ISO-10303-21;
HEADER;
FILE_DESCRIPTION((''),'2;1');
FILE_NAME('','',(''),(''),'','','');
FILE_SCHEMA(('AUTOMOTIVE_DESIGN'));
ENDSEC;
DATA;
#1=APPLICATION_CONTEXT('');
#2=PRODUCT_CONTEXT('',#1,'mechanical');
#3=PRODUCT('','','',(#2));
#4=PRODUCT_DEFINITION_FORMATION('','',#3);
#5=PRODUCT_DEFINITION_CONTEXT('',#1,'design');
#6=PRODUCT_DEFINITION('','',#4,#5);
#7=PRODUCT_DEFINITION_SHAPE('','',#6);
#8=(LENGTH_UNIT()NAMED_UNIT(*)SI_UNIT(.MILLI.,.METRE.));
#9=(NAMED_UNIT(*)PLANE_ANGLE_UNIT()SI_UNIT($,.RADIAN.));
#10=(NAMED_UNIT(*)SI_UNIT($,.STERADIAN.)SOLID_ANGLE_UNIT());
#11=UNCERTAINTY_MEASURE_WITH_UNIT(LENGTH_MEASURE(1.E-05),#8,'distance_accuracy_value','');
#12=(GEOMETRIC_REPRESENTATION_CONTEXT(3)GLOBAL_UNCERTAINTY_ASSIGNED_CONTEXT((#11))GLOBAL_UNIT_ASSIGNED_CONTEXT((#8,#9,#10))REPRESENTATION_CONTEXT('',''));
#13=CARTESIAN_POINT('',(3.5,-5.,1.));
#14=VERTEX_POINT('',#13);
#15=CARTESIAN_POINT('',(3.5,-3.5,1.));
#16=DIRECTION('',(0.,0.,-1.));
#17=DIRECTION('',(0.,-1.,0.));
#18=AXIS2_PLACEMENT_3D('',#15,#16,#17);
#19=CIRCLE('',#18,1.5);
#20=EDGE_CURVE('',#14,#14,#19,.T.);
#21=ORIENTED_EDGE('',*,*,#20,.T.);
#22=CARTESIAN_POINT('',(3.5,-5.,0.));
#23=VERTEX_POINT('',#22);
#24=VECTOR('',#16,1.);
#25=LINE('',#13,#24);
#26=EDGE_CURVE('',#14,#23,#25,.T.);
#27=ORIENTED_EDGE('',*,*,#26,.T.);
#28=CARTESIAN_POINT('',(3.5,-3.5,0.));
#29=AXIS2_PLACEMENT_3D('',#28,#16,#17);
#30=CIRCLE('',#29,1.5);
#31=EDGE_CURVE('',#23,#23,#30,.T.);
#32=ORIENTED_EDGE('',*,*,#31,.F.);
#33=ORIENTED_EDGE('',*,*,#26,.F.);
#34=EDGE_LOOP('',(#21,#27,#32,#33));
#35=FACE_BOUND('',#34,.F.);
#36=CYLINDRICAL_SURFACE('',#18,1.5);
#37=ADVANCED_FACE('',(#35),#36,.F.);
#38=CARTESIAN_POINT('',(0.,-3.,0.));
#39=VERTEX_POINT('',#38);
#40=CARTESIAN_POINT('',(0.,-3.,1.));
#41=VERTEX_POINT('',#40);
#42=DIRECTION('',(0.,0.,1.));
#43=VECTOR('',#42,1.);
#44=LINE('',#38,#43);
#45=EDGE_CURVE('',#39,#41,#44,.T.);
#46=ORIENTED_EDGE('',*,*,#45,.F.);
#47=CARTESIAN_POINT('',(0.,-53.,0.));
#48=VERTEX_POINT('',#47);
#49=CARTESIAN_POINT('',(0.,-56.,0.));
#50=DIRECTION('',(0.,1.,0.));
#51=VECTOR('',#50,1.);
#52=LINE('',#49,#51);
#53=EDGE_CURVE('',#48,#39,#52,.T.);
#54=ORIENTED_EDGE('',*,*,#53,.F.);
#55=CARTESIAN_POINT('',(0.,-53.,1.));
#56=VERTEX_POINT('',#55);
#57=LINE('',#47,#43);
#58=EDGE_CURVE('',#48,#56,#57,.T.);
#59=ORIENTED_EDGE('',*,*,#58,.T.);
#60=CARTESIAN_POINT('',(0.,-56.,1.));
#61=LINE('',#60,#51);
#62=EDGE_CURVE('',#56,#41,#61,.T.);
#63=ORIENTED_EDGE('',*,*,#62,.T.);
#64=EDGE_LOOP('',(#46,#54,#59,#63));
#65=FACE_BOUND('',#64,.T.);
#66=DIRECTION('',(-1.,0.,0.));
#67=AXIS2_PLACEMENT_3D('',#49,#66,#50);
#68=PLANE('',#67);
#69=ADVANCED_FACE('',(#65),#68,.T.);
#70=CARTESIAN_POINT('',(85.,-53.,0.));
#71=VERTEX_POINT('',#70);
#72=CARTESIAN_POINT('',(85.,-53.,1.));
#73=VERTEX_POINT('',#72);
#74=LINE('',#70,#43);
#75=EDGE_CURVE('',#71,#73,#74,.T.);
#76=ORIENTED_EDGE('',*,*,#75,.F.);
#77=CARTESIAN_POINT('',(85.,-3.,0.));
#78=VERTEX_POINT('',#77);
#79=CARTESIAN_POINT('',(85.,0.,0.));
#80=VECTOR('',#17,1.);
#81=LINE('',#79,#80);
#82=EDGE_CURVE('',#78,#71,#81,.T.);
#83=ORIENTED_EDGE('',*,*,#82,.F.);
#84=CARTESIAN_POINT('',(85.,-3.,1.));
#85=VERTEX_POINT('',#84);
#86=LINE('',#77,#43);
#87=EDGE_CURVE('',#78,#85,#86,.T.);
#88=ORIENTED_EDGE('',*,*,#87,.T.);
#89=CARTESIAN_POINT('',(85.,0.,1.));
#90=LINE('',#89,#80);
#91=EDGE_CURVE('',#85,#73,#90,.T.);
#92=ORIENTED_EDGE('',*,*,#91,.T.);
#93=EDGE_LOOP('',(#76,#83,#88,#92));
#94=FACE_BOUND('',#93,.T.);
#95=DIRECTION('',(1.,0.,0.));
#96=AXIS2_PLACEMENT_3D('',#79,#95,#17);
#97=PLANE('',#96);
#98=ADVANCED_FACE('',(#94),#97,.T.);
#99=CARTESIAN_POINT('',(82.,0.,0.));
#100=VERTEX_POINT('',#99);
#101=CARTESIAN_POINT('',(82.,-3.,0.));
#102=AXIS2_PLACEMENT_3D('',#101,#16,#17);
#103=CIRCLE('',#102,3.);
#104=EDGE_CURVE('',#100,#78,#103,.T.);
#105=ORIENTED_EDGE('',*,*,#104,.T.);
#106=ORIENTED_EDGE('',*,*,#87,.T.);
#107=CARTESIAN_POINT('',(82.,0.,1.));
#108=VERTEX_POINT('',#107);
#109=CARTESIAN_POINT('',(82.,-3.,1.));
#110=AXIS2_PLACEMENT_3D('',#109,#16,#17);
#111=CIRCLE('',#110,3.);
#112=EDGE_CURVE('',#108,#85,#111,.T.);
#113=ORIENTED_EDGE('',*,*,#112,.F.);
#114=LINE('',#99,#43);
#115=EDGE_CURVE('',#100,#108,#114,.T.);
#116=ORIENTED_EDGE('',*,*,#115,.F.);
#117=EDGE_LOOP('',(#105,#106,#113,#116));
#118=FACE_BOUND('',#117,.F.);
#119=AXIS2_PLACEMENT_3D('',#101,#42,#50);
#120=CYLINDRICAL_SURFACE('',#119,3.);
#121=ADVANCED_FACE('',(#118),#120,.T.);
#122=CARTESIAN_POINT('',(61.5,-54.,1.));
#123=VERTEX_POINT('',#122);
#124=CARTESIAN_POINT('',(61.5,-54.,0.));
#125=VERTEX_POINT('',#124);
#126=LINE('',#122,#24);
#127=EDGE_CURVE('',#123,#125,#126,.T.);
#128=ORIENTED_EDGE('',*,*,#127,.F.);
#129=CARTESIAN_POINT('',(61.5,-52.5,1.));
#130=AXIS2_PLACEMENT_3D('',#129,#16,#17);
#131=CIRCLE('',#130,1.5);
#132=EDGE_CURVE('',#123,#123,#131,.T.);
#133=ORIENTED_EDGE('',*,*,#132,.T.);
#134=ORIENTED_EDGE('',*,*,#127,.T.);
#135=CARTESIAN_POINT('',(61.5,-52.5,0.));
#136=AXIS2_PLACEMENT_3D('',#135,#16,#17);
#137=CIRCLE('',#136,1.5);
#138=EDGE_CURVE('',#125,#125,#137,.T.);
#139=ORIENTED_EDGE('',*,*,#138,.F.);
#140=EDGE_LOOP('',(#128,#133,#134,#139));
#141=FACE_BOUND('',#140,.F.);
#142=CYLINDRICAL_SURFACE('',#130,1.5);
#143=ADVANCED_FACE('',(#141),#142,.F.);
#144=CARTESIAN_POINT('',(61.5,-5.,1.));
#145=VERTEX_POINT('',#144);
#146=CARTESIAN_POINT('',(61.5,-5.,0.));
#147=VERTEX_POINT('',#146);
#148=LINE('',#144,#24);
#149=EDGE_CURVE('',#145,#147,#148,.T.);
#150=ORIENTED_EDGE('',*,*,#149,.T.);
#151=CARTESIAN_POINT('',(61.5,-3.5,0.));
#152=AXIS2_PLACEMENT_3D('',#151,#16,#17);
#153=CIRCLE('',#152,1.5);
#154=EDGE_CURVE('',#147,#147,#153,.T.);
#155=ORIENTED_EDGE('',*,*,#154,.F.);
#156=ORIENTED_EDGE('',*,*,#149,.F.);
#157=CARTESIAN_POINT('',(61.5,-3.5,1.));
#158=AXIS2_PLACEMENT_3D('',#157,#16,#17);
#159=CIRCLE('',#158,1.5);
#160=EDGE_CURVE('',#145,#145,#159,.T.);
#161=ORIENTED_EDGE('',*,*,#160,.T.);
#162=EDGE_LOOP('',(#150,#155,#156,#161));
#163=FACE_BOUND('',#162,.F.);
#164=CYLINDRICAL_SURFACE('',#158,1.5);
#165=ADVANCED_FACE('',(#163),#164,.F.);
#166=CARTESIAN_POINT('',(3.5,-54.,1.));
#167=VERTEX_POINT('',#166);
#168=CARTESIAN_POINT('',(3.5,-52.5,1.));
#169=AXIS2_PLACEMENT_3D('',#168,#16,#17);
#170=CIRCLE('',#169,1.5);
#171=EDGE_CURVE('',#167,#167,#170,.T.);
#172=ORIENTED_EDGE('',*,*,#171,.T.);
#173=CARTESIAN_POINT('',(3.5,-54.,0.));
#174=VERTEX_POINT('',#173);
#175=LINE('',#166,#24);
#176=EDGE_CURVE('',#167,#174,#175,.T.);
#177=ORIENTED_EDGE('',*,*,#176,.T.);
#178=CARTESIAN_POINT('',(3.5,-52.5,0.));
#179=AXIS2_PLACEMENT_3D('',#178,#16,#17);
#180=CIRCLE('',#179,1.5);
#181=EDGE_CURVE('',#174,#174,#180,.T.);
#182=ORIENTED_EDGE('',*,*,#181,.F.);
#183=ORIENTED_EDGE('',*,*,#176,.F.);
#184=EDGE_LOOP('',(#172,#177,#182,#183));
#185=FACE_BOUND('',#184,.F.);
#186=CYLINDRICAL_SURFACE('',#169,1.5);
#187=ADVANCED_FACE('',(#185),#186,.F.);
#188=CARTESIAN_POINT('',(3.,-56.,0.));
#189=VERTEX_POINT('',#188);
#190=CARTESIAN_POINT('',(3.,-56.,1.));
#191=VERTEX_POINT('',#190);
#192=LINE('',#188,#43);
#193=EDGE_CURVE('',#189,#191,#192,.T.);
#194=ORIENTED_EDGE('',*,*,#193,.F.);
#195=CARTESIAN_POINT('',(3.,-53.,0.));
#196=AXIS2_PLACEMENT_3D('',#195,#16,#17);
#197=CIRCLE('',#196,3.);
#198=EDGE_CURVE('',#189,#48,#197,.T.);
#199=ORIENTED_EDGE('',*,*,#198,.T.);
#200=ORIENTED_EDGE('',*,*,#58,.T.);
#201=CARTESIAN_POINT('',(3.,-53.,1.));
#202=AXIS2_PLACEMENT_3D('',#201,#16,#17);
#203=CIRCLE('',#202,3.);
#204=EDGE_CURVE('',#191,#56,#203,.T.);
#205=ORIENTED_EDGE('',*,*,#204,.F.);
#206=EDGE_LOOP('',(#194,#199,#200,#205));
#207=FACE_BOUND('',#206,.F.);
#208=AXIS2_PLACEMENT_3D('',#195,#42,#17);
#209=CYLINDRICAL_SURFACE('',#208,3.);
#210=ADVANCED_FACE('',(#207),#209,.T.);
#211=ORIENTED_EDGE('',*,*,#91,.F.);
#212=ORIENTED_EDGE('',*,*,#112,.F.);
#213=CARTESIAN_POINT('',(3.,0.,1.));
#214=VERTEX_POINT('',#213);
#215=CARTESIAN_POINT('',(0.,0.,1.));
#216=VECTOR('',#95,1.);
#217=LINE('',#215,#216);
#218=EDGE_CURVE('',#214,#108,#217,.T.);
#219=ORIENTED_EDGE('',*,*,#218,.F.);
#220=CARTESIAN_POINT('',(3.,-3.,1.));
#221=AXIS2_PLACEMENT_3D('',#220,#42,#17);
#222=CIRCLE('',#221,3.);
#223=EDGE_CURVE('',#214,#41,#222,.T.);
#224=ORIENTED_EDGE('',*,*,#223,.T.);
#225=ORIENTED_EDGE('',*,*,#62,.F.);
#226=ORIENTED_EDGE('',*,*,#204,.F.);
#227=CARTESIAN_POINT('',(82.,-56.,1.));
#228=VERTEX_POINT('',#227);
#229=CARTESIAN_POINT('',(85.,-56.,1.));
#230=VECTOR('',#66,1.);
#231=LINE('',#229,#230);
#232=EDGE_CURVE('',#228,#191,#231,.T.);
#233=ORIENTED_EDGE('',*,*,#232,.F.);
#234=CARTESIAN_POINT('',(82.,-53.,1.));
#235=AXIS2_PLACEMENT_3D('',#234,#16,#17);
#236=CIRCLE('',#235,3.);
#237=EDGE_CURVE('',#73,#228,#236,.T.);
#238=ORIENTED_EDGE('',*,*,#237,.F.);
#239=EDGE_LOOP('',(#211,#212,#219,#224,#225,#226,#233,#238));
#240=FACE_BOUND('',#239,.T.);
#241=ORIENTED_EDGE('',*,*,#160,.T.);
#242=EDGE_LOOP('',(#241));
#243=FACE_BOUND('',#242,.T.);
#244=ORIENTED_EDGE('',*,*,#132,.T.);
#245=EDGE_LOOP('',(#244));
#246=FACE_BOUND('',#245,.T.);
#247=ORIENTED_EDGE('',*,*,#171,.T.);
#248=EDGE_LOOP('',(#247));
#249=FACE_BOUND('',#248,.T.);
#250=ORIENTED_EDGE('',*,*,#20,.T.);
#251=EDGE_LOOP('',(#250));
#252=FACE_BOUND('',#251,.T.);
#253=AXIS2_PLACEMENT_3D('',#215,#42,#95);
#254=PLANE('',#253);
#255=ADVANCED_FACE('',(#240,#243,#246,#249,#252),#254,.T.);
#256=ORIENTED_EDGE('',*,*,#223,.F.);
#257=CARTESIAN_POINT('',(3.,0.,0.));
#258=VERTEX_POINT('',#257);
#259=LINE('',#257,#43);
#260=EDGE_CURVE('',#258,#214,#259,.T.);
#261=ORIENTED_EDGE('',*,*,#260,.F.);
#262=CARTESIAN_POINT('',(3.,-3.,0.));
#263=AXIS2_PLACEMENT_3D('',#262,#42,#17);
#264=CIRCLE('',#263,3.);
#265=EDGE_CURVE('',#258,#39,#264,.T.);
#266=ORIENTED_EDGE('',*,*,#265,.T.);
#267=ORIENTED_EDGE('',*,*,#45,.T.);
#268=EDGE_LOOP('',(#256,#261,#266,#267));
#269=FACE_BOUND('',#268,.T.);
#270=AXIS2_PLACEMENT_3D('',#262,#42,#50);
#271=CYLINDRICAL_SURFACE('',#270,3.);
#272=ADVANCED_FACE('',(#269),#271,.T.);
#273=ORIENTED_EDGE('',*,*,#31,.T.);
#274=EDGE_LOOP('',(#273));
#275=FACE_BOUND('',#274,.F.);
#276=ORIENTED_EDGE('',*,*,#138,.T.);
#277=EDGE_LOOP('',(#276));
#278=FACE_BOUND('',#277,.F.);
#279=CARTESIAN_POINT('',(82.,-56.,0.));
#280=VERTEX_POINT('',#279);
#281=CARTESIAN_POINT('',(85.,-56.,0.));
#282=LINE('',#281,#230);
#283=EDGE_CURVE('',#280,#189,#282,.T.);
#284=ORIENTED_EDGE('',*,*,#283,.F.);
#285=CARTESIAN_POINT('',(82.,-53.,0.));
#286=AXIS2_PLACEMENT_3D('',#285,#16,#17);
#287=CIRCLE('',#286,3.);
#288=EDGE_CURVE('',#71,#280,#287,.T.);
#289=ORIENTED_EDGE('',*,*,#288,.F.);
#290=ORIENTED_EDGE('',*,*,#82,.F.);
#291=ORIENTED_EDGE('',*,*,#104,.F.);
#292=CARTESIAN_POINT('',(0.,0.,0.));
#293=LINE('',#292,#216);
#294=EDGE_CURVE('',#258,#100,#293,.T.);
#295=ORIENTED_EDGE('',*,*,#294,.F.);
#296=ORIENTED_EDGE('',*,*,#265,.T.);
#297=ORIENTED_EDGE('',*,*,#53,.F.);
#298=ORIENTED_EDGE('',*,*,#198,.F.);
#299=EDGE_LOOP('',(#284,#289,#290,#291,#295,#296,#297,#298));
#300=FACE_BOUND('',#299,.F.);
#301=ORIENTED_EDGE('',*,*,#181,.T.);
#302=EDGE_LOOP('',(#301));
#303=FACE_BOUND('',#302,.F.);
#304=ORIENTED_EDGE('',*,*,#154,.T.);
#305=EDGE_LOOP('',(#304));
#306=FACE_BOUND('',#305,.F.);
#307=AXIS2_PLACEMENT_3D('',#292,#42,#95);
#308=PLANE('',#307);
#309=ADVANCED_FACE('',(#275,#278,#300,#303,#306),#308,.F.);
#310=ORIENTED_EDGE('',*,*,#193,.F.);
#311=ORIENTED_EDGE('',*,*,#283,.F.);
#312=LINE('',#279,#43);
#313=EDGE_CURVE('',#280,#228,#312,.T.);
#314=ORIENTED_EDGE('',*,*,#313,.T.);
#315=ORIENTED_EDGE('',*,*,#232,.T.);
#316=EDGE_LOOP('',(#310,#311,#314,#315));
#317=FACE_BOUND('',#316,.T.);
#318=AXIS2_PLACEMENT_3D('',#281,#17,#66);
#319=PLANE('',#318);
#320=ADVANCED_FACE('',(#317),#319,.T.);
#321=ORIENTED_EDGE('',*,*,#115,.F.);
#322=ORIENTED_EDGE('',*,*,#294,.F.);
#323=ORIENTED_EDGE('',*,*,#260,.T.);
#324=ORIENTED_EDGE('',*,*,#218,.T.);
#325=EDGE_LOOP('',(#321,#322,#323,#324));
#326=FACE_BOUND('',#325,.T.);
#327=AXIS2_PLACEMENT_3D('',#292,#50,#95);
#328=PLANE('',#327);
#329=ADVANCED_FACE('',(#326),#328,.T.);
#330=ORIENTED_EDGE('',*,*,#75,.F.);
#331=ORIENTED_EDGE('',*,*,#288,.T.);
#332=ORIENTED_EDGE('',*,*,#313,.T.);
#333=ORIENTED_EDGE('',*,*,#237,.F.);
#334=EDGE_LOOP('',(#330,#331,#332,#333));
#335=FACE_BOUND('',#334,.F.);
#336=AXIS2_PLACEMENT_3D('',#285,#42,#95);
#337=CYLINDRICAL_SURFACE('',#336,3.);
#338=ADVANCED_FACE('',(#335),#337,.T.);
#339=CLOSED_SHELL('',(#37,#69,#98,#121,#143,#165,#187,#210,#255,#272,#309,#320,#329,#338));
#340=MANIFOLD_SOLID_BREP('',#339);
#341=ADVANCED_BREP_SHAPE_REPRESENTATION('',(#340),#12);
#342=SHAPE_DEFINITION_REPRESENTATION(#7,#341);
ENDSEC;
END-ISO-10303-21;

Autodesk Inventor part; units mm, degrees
ref_plane "YZ Plane" through (0, 0, 0) normal (1, 0, 0) x (0, 1, 0)
ref_plane "XZ Plane" through (0, 0, 0) normal (0, 1, 0) x (-1, 0, 0)
ref_plane "XY Plane" through (0, 0, 0) normal (0, 0, 1) x (1, 0, 0)
sketch "Sketch1" plane through (0, 0, 0) normal (0, 0, 1) x (1, 0, 0)
  line L0 (0, 0) -> (85, 0)
  line L1 (85, 0) -> (85, -56)
  line L2 (85, -56) -> (0, -56)
  line L3 (0, -56) -> (0, 0)
  dimension "d0" = 85
  dimension "d1" = 56
extrude "Extrusion1" add sketch "Sketch1" along normal blind 1
fillet "Congé1" radius 3 4 edges at (0, 0, 0.5) (85, 0, 0.5) (85, -56, 0.5) (0, -56, 0.5)
sketch "Esquisse2" plane through (0, 0, 1) normal (0, 0, 1) x (1, 0, 0)
  point P0 (0, 0)
sketch "Esquisse3" plane through (0, 0, 1) normal (0, 0, 1) x (1, 0, 0)
  arc A0 (0, -53) -> (3, -56) centre (3, -53) ccw construction
  line L0 (3, -56) -> (82, -56) construction
  arc A1 (82, -56) -> (85, -53) centre (82, -53) ccw construction
  line L1 (85, -53) -> (85, -3) construction
  arc A2 (85, -3) -> (82, 0) centre (82, -3) ccw construction
  line L2 (82, 0) -> (3, 0) construction
  arc A3 (3, 0) -> (0, -3) centre (3, -3) ccw construction
  line L3 (0, -3) -> (0, -53) construction
  line L4 (3.5, -3.5) -> (61.5, -3.5) construction
  line L5 (61.5, -3.5) -> (61.5, -52.5) construction
  line L6 (61.5, -52.5) -> (3.5, -52.5) construction
  line L7 (3.5, -52.5) -> (3.5, -3.5) construction
  point P0 (0, 0)
  dimension "d5" = 3.5
  dimension "d6" = 49
  dimension "d7" = 58
  dimension "d8" = 3.5
hole "Perçage1" at (61.5, -52.5, 1) at (3.5, -52.5, 1) at (3.5, -3.5, 1) at (61.5, -3.5, 1) direction (0, 0, -1) diameter 3 end through all
properties part number "R000"
